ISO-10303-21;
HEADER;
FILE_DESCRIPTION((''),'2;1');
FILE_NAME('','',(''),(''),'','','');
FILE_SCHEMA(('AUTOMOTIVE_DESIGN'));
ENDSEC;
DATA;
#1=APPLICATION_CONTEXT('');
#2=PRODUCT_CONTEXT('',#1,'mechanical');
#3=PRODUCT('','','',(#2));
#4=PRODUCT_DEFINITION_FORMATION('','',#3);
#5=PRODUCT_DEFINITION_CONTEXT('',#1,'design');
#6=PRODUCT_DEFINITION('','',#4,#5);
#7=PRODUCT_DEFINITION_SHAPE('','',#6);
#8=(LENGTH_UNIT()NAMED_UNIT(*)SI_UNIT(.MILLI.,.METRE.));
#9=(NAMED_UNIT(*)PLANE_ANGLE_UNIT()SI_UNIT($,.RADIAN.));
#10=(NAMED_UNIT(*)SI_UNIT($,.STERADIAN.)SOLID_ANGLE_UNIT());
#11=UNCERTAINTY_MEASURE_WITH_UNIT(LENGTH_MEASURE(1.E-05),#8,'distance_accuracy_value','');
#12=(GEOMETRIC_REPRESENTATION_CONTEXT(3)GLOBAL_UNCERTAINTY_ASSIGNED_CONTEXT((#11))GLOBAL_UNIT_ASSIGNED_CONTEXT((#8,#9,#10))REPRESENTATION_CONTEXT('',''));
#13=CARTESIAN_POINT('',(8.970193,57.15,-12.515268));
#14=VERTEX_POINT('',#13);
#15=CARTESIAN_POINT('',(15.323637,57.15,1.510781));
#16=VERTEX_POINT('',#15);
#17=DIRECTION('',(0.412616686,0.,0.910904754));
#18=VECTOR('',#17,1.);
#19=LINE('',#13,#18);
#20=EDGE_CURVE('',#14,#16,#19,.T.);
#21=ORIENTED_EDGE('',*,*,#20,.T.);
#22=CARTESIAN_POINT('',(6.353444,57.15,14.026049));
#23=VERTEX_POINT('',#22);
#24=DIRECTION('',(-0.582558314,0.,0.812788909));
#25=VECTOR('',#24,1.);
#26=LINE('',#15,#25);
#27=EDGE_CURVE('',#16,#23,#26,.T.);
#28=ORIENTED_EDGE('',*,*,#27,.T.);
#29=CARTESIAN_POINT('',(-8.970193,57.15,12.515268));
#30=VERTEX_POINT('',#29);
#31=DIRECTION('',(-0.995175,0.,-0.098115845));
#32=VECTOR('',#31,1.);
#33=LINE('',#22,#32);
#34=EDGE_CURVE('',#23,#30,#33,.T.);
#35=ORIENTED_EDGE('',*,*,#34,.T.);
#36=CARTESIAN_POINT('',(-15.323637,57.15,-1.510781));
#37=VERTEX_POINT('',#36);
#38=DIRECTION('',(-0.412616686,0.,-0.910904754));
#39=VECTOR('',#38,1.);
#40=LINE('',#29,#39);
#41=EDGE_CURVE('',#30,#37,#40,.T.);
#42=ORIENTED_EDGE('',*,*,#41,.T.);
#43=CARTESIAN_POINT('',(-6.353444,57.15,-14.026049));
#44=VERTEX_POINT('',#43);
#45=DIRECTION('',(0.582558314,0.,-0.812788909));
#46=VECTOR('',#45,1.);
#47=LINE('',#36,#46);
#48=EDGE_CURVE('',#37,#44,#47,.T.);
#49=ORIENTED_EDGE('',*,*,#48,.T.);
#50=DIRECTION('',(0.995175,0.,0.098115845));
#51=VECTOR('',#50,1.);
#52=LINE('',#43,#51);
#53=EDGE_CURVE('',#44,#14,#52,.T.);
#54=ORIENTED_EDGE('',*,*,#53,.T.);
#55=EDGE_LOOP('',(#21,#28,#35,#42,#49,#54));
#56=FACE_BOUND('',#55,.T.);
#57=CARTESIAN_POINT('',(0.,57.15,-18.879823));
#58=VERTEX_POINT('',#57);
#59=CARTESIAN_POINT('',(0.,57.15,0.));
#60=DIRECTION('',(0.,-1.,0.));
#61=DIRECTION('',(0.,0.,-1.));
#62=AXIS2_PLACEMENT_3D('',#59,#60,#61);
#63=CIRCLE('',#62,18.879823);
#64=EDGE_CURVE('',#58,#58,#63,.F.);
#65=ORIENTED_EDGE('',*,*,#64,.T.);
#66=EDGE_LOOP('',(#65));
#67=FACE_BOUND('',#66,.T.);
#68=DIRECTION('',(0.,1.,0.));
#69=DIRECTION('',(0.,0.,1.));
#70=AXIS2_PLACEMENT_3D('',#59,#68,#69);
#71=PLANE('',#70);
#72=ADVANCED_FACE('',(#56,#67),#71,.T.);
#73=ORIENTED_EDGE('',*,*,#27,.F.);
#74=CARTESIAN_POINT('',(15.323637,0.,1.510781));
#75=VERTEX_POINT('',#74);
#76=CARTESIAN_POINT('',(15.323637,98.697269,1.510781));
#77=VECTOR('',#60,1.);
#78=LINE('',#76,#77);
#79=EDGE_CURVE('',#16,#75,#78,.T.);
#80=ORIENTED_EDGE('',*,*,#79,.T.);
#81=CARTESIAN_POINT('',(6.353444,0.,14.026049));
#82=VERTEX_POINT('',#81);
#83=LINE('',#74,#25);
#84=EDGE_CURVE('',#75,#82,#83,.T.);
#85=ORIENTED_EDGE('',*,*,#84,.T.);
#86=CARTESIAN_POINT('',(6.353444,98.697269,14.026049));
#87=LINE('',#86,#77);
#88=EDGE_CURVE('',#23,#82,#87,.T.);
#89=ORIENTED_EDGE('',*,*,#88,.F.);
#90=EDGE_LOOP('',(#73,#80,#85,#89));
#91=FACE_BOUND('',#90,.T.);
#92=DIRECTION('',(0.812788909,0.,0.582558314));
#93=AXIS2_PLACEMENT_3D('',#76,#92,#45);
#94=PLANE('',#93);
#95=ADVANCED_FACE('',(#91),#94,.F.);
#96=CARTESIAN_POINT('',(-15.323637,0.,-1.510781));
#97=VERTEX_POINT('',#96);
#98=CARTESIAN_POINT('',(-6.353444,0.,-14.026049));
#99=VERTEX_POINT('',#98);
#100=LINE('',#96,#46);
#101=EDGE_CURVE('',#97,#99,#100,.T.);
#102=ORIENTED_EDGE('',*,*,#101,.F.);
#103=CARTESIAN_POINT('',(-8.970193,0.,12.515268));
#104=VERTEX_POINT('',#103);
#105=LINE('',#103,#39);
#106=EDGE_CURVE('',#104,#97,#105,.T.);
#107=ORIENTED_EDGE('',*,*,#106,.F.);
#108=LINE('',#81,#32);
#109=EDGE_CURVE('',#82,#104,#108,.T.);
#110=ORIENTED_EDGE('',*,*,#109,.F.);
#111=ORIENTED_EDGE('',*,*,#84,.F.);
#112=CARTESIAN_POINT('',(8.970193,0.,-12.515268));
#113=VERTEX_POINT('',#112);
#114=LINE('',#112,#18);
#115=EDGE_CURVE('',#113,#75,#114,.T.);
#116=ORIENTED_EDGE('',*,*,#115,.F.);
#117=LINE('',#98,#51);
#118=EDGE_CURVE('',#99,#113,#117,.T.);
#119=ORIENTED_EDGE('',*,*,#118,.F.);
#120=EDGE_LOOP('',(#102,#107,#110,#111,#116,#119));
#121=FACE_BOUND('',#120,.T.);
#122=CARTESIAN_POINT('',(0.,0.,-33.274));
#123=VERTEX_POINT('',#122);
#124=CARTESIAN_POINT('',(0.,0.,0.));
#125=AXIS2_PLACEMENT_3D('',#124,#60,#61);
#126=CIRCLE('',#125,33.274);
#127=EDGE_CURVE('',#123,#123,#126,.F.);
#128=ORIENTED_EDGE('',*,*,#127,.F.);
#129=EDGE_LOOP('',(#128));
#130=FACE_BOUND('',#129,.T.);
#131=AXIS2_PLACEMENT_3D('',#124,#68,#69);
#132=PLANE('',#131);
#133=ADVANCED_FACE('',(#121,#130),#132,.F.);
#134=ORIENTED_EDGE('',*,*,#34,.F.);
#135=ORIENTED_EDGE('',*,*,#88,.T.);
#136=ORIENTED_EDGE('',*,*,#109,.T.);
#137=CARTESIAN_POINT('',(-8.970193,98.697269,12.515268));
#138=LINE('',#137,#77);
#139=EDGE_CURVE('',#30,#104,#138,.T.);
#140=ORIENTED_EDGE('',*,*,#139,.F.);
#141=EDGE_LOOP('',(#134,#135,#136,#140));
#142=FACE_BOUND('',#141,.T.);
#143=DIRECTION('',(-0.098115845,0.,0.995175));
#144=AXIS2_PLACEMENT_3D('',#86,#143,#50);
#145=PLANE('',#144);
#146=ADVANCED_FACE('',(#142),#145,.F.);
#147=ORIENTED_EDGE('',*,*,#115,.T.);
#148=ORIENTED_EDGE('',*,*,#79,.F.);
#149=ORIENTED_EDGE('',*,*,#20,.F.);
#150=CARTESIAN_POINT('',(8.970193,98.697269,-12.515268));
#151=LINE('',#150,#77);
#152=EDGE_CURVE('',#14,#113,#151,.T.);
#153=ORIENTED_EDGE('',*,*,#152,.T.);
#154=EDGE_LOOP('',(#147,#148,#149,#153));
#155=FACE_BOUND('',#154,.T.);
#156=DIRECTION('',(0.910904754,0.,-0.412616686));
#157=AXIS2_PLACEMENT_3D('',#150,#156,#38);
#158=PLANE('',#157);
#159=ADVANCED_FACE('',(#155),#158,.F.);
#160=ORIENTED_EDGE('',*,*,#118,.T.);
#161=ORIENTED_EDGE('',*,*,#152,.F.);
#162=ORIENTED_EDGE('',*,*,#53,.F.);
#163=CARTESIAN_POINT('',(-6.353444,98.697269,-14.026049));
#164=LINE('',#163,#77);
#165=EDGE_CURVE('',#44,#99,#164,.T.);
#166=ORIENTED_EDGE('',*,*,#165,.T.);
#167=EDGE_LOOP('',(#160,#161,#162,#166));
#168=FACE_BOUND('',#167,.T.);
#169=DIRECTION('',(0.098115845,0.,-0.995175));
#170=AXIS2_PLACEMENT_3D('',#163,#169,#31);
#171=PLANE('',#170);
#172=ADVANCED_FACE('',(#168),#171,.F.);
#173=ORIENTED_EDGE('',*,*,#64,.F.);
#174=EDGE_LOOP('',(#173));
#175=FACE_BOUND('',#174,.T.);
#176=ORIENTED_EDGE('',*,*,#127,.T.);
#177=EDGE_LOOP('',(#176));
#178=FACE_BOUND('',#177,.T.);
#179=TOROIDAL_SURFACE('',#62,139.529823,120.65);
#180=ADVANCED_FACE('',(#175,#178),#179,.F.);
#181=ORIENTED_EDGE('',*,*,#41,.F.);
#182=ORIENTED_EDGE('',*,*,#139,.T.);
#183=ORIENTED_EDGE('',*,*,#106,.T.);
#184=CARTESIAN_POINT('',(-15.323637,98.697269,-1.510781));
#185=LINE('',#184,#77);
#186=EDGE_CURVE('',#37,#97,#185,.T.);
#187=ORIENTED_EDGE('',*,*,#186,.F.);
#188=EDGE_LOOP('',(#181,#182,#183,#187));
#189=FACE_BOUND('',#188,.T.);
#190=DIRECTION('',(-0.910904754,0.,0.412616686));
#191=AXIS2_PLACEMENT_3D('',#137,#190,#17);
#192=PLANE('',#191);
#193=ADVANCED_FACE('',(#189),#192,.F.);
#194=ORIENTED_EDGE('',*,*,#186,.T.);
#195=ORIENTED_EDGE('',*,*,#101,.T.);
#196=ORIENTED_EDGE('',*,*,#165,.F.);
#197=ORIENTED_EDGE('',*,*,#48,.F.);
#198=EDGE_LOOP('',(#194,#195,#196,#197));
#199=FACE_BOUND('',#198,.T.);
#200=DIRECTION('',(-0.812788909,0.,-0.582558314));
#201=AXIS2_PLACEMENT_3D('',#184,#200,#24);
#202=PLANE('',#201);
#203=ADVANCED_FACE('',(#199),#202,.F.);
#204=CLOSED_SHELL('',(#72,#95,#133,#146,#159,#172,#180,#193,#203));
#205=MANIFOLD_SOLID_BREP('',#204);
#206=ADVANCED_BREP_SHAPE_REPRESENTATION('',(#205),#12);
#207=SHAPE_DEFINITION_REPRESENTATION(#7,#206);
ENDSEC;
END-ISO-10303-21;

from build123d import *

# Parameters (mm, degrees)
SKETCH1_R           = 33.274
BOSS_EXTRUDE1_DEPTH = 57.15
CUT_EXTRUDE1_DEPTH  = 57.15
SKETCH4_R           = 120.65


with BuildPart() as part:
    # Sketch1 → Boss-Extrude1 (new body)
    with BuildSketch(Plane(origin=(0, 0, 0), x_dir=(1, 0, 0), z_dir=(0, 1, 0))):
        Circle(SKETCH1_R)
    extrude(amount=BOSS_EXTRUDE1_DEPTH)

    # Sketch2 → Cut-Extrude1 (cut)
    with BuildSketch(Plane.XZ):
        Polygon((-15.323636661, -1.510781079), (-6.353443536, -14.026049167), (8.970193125, -12.515268087), (15.323636661, 1.510781079), (6.353443536, 14.026049167), (-8.970193125, 12.515268087), align=None)
    extrude(amount=-CUT_EXTRUDE1_DEPTH, mode=Mode.SUBTRACT)

    # Sketch4 → Cut-Revolve2 (revolve, cut)
    with BuildSketch(Plane.XY):
        with Locations((-139.52982337, 57.15)):
            Circle(SKETCH4_R)
    revolve(axis=Axis((0, 0, 0), (0, 1, 0)), mode=Mode.SUBTRACT)


solid = part.part
